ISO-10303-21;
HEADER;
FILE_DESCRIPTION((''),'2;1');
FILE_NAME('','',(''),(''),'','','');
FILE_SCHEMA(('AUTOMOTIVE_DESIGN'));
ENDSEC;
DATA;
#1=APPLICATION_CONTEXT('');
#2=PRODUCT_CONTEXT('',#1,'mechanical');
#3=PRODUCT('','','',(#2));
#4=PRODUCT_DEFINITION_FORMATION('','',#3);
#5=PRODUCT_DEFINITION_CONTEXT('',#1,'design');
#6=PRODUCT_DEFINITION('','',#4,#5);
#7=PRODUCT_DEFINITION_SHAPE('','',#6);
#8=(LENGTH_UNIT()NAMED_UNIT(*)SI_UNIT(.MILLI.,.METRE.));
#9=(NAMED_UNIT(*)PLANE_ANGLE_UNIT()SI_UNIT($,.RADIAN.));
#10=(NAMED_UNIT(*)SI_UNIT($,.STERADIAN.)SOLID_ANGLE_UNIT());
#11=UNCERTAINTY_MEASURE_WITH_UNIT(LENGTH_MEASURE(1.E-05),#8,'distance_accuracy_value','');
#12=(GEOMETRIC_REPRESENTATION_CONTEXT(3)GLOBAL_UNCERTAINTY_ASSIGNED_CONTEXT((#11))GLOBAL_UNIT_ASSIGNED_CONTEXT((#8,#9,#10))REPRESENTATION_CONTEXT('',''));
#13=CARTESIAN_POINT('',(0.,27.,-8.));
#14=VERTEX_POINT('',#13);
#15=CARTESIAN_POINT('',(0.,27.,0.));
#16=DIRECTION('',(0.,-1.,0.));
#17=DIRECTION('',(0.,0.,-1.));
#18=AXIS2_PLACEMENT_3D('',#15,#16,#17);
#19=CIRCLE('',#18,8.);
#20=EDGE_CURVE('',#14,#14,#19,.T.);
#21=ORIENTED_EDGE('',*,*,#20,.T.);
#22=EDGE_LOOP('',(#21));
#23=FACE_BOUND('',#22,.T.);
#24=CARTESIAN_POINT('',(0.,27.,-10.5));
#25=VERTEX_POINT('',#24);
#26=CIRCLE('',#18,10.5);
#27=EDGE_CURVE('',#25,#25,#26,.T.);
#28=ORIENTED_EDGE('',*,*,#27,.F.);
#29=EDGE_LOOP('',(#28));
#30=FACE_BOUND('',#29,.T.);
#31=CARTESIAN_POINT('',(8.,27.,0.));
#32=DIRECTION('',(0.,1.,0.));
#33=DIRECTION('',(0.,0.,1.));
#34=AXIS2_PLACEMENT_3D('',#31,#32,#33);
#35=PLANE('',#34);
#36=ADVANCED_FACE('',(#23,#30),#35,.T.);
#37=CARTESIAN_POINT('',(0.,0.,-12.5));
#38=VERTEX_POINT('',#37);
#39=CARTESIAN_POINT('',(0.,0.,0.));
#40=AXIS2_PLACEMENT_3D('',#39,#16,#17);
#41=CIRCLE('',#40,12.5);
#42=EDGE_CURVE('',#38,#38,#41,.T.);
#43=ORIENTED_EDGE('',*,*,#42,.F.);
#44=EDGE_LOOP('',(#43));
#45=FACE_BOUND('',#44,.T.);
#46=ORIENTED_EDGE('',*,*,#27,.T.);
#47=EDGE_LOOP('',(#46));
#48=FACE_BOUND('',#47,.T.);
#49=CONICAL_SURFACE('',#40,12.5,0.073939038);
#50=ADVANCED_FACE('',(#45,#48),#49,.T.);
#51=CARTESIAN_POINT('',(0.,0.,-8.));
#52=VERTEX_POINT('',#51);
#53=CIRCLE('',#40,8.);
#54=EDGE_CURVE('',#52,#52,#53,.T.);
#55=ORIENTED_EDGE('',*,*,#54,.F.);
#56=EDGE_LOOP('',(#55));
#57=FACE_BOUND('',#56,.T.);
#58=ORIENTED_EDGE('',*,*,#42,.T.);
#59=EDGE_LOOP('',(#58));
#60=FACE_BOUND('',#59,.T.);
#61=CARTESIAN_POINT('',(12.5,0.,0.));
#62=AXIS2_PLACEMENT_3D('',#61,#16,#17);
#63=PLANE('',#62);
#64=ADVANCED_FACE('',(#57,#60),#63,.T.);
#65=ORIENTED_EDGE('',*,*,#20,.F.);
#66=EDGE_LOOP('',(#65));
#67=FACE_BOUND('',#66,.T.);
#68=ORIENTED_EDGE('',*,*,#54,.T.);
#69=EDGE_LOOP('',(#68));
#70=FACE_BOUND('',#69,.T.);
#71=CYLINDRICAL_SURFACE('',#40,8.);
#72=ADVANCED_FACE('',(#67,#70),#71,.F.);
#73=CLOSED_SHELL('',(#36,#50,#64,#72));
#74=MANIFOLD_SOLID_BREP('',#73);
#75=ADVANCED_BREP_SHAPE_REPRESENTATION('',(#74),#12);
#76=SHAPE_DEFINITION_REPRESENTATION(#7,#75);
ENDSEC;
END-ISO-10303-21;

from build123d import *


with BuildPart() as part:
    # Sketch1 → Revolve1 (revolve)
    with BuildSketch(Plane.XY, mode=Mode.PRIVATE) as revolve1_sk:
        Polygon((10.5, 27), (12.5, 0), (8, 0), (8, 27), align=None)
    revolve(revolve1_sk.sketch.rotate(Axis((0, 0, 0), (0, 1, 0)), 90), axis=Axis((0, 0, 0), (0, 1, 0)))


solid = part.part
